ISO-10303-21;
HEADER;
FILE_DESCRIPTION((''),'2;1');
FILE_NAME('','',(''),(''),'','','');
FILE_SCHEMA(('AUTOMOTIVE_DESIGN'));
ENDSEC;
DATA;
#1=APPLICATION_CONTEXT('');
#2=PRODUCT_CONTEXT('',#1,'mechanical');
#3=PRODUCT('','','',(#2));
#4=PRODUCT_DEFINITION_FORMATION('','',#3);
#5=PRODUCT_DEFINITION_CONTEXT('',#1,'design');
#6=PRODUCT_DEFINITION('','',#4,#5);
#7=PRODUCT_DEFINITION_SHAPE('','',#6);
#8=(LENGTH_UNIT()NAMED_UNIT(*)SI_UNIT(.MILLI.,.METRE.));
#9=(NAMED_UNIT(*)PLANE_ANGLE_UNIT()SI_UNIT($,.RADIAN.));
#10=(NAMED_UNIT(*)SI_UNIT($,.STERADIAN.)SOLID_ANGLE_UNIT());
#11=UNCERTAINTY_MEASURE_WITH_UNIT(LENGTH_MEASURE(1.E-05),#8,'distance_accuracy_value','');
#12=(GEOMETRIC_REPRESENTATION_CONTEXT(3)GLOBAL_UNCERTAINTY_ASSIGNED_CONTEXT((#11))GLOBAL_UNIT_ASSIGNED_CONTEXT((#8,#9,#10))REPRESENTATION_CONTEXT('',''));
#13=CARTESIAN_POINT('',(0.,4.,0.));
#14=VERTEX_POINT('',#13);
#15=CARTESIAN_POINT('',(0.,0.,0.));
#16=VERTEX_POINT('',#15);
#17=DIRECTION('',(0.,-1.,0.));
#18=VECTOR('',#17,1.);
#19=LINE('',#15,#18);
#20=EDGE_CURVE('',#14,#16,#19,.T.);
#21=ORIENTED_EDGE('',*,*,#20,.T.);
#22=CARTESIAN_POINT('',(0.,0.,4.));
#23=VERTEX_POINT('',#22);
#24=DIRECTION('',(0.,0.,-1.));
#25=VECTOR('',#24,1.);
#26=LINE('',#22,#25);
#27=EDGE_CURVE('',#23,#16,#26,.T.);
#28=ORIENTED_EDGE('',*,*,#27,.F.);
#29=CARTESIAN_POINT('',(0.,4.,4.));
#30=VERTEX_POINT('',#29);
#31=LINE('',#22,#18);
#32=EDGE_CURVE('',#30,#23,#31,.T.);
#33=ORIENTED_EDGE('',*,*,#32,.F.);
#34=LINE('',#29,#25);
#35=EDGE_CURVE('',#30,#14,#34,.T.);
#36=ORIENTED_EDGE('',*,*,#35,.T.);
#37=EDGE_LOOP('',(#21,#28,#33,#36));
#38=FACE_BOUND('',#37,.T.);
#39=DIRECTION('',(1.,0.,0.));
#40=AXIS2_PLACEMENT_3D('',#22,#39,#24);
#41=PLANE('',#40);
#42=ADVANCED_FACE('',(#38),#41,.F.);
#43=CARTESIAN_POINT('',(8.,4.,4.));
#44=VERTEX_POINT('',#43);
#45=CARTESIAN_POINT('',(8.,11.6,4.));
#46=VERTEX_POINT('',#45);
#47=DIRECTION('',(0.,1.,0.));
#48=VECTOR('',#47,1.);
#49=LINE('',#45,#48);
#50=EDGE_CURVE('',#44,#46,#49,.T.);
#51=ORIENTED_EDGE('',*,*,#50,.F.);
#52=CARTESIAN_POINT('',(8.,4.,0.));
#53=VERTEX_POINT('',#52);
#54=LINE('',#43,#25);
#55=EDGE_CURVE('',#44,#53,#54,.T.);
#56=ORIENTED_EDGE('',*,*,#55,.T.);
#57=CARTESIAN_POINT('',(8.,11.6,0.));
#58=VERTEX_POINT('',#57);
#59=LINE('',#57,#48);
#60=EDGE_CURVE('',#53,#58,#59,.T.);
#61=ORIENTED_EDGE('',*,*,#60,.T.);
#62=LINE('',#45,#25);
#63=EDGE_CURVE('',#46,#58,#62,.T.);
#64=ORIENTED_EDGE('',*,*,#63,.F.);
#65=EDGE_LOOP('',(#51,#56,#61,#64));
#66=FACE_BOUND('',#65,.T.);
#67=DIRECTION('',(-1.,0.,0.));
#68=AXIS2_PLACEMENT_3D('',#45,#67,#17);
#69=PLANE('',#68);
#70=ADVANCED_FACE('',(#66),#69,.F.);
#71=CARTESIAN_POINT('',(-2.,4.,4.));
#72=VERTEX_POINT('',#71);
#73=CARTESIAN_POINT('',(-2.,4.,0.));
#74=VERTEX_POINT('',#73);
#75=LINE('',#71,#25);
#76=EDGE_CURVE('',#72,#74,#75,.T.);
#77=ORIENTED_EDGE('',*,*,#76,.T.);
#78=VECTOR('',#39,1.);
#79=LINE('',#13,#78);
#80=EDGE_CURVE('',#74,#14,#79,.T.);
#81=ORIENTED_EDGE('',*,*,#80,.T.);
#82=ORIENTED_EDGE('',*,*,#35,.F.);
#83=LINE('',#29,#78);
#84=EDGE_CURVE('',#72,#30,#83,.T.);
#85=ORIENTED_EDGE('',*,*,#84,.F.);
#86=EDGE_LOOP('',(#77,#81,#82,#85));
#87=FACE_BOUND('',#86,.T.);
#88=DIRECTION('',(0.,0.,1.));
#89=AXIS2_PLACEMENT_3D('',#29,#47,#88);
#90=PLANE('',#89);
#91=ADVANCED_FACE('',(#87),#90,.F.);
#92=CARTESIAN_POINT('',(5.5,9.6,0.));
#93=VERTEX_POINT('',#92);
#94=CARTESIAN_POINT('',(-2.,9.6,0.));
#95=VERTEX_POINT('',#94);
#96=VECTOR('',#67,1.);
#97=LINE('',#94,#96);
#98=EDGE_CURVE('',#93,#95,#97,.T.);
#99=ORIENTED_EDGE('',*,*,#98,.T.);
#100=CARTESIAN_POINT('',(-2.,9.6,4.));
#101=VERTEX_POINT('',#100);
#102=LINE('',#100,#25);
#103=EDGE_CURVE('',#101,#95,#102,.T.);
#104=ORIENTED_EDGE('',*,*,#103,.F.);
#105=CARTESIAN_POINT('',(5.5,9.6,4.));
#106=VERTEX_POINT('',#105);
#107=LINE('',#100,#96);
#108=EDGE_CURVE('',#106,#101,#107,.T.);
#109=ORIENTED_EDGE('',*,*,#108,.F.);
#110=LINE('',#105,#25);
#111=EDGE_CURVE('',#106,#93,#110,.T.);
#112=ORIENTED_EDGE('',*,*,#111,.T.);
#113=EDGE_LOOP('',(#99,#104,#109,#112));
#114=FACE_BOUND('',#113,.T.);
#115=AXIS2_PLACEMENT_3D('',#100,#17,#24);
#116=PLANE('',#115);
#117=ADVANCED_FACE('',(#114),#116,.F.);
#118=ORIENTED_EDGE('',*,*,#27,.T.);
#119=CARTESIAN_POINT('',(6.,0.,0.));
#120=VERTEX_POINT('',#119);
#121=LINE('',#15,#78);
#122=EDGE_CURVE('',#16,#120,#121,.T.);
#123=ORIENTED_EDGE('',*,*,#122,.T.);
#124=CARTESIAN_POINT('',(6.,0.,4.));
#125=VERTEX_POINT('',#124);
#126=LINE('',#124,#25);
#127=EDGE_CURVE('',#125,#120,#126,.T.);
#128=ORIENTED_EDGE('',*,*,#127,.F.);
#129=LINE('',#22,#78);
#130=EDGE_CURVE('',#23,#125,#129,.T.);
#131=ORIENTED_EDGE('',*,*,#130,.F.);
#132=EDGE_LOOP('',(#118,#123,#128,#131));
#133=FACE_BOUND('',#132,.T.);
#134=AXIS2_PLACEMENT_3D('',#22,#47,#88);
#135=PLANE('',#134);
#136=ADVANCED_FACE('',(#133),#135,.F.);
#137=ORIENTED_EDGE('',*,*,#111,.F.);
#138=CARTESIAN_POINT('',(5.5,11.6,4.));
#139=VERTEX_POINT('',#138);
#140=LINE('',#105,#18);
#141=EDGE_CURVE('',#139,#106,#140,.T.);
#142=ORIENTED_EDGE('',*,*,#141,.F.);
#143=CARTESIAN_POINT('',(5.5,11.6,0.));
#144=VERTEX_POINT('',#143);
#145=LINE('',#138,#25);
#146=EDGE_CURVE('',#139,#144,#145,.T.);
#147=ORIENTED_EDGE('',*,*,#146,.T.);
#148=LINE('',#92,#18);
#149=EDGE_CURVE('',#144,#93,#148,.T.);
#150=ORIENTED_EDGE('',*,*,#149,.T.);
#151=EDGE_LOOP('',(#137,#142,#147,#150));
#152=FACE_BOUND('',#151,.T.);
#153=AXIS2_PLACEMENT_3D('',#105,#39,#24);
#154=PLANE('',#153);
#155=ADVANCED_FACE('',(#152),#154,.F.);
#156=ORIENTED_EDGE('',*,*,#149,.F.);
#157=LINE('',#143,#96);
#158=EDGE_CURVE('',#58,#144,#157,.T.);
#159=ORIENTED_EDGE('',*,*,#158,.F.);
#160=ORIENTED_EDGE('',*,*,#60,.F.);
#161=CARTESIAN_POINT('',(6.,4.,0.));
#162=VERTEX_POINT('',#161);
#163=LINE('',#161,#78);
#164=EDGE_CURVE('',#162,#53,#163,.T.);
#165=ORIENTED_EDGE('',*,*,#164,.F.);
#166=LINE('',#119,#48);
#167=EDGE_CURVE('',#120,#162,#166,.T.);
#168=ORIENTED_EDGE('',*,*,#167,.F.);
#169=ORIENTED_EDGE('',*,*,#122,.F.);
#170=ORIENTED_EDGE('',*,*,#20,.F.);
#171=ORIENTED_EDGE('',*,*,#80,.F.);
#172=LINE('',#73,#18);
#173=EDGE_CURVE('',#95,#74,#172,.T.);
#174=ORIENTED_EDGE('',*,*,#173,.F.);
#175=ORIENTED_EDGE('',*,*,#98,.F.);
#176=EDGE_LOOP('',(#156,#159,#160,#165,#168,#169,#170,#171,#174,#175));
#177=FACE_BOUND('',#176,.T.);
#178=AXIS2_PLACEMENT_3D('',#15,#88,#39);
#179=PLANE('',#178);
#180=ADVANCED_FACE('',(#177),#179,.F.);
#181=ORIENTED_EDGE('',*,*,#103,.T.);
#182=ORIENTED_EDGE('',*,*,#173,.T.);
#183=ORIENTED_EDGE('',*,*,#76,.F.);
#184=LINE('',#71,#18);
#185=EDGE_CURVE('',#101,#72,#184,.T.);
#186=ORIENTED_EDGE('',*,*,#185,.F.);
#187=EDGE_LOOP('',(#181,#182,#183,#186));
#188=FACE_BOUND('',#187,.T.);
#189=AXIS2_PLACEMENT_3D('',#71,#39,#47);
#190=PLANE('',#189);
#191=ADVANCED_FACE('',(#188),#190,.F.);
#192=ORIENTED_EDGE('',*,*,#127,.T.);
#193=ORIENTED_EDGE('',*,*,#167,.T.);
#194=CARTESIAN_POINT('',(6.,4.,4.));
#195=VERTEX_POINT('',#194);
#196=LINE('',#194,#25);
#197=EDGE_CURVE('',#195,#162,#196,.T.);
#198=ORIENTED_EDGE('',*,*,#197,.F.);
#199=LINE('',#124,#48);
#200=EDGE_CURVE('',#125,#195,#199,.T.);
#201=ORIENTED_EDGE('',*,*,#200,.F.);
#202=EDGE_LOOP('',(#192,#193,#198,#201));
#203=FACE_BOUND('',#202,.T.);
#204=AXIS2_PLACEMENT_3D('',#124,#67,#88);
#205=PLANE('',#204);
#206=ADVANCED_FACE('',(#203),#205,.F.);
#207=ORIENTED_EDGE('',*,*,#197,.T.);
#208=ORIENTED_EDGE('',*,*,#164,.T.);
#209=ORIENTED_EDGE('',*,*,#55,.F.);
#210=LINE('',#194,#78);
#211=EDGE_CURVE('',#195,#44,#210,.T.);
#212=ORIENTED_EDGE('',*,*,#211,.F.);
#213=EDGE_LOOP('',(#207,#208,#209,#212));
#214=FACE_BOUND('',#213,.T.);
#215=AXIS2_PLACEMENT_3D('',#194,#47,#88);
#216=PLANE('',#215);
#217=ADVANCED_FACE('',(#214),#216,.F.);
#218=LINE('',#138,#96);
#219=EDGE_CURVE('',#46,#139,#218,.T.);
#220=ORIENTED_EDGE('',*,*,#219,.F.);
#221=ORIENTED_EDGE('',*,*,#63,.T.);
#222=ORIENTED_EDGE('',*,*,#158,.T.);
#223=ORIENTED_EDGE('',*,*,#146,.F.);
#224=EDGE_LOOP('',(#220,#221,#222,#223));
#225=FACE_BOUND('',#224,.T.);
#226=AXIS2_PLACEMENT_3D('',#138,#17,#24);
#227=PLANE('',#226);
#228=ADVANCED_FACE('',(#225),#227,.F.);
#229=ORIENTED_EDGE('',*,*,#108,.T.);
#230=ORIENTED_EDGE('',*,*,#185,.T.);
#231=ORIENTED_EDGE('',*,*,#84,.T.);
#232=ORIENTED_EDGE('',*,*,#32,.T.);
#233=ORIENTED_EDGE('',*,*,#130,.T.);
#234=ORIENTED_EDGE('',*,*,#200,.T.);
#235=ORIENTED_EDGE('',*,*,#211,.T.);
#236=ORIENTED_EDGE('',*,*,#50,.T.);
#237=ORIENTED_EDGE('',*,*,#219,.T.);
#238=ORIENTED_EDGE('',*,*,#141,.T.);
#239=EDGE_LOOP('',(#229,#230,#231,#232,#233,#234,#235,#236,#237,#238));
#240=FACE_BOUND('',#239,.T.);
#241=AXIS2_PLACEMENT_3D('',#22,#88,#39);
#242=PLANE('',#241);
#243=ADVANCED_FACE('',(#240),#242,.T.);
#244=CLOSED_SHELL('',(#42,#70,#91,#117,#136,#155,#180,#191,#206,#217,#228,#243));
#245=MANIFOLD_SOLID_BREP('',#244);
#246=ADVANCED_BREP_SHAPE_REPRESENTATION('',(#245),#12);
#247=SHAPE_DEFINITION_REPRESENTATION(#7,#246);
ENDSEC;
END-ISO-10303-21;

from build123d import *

# Parameters (mm, degrees)
BOSS_EXTRUDE1_DEPTH = 4


with BuildPart() as part:
    # Sketch1 → Boss-Extrude1 (new body)
    with BuildSketch(Plane.XY):
        Polygon((0, 0), (6, 0), (6, 4), (8, 4), (8, 11.6), (5.5, 11.6), (5.5, 9.6), (-2, 9.6), (-2, 4), (0, 4), align=None)
    extrude(amount=BOSS_EXTRUDE1_DEPTH)


solid = part.part
